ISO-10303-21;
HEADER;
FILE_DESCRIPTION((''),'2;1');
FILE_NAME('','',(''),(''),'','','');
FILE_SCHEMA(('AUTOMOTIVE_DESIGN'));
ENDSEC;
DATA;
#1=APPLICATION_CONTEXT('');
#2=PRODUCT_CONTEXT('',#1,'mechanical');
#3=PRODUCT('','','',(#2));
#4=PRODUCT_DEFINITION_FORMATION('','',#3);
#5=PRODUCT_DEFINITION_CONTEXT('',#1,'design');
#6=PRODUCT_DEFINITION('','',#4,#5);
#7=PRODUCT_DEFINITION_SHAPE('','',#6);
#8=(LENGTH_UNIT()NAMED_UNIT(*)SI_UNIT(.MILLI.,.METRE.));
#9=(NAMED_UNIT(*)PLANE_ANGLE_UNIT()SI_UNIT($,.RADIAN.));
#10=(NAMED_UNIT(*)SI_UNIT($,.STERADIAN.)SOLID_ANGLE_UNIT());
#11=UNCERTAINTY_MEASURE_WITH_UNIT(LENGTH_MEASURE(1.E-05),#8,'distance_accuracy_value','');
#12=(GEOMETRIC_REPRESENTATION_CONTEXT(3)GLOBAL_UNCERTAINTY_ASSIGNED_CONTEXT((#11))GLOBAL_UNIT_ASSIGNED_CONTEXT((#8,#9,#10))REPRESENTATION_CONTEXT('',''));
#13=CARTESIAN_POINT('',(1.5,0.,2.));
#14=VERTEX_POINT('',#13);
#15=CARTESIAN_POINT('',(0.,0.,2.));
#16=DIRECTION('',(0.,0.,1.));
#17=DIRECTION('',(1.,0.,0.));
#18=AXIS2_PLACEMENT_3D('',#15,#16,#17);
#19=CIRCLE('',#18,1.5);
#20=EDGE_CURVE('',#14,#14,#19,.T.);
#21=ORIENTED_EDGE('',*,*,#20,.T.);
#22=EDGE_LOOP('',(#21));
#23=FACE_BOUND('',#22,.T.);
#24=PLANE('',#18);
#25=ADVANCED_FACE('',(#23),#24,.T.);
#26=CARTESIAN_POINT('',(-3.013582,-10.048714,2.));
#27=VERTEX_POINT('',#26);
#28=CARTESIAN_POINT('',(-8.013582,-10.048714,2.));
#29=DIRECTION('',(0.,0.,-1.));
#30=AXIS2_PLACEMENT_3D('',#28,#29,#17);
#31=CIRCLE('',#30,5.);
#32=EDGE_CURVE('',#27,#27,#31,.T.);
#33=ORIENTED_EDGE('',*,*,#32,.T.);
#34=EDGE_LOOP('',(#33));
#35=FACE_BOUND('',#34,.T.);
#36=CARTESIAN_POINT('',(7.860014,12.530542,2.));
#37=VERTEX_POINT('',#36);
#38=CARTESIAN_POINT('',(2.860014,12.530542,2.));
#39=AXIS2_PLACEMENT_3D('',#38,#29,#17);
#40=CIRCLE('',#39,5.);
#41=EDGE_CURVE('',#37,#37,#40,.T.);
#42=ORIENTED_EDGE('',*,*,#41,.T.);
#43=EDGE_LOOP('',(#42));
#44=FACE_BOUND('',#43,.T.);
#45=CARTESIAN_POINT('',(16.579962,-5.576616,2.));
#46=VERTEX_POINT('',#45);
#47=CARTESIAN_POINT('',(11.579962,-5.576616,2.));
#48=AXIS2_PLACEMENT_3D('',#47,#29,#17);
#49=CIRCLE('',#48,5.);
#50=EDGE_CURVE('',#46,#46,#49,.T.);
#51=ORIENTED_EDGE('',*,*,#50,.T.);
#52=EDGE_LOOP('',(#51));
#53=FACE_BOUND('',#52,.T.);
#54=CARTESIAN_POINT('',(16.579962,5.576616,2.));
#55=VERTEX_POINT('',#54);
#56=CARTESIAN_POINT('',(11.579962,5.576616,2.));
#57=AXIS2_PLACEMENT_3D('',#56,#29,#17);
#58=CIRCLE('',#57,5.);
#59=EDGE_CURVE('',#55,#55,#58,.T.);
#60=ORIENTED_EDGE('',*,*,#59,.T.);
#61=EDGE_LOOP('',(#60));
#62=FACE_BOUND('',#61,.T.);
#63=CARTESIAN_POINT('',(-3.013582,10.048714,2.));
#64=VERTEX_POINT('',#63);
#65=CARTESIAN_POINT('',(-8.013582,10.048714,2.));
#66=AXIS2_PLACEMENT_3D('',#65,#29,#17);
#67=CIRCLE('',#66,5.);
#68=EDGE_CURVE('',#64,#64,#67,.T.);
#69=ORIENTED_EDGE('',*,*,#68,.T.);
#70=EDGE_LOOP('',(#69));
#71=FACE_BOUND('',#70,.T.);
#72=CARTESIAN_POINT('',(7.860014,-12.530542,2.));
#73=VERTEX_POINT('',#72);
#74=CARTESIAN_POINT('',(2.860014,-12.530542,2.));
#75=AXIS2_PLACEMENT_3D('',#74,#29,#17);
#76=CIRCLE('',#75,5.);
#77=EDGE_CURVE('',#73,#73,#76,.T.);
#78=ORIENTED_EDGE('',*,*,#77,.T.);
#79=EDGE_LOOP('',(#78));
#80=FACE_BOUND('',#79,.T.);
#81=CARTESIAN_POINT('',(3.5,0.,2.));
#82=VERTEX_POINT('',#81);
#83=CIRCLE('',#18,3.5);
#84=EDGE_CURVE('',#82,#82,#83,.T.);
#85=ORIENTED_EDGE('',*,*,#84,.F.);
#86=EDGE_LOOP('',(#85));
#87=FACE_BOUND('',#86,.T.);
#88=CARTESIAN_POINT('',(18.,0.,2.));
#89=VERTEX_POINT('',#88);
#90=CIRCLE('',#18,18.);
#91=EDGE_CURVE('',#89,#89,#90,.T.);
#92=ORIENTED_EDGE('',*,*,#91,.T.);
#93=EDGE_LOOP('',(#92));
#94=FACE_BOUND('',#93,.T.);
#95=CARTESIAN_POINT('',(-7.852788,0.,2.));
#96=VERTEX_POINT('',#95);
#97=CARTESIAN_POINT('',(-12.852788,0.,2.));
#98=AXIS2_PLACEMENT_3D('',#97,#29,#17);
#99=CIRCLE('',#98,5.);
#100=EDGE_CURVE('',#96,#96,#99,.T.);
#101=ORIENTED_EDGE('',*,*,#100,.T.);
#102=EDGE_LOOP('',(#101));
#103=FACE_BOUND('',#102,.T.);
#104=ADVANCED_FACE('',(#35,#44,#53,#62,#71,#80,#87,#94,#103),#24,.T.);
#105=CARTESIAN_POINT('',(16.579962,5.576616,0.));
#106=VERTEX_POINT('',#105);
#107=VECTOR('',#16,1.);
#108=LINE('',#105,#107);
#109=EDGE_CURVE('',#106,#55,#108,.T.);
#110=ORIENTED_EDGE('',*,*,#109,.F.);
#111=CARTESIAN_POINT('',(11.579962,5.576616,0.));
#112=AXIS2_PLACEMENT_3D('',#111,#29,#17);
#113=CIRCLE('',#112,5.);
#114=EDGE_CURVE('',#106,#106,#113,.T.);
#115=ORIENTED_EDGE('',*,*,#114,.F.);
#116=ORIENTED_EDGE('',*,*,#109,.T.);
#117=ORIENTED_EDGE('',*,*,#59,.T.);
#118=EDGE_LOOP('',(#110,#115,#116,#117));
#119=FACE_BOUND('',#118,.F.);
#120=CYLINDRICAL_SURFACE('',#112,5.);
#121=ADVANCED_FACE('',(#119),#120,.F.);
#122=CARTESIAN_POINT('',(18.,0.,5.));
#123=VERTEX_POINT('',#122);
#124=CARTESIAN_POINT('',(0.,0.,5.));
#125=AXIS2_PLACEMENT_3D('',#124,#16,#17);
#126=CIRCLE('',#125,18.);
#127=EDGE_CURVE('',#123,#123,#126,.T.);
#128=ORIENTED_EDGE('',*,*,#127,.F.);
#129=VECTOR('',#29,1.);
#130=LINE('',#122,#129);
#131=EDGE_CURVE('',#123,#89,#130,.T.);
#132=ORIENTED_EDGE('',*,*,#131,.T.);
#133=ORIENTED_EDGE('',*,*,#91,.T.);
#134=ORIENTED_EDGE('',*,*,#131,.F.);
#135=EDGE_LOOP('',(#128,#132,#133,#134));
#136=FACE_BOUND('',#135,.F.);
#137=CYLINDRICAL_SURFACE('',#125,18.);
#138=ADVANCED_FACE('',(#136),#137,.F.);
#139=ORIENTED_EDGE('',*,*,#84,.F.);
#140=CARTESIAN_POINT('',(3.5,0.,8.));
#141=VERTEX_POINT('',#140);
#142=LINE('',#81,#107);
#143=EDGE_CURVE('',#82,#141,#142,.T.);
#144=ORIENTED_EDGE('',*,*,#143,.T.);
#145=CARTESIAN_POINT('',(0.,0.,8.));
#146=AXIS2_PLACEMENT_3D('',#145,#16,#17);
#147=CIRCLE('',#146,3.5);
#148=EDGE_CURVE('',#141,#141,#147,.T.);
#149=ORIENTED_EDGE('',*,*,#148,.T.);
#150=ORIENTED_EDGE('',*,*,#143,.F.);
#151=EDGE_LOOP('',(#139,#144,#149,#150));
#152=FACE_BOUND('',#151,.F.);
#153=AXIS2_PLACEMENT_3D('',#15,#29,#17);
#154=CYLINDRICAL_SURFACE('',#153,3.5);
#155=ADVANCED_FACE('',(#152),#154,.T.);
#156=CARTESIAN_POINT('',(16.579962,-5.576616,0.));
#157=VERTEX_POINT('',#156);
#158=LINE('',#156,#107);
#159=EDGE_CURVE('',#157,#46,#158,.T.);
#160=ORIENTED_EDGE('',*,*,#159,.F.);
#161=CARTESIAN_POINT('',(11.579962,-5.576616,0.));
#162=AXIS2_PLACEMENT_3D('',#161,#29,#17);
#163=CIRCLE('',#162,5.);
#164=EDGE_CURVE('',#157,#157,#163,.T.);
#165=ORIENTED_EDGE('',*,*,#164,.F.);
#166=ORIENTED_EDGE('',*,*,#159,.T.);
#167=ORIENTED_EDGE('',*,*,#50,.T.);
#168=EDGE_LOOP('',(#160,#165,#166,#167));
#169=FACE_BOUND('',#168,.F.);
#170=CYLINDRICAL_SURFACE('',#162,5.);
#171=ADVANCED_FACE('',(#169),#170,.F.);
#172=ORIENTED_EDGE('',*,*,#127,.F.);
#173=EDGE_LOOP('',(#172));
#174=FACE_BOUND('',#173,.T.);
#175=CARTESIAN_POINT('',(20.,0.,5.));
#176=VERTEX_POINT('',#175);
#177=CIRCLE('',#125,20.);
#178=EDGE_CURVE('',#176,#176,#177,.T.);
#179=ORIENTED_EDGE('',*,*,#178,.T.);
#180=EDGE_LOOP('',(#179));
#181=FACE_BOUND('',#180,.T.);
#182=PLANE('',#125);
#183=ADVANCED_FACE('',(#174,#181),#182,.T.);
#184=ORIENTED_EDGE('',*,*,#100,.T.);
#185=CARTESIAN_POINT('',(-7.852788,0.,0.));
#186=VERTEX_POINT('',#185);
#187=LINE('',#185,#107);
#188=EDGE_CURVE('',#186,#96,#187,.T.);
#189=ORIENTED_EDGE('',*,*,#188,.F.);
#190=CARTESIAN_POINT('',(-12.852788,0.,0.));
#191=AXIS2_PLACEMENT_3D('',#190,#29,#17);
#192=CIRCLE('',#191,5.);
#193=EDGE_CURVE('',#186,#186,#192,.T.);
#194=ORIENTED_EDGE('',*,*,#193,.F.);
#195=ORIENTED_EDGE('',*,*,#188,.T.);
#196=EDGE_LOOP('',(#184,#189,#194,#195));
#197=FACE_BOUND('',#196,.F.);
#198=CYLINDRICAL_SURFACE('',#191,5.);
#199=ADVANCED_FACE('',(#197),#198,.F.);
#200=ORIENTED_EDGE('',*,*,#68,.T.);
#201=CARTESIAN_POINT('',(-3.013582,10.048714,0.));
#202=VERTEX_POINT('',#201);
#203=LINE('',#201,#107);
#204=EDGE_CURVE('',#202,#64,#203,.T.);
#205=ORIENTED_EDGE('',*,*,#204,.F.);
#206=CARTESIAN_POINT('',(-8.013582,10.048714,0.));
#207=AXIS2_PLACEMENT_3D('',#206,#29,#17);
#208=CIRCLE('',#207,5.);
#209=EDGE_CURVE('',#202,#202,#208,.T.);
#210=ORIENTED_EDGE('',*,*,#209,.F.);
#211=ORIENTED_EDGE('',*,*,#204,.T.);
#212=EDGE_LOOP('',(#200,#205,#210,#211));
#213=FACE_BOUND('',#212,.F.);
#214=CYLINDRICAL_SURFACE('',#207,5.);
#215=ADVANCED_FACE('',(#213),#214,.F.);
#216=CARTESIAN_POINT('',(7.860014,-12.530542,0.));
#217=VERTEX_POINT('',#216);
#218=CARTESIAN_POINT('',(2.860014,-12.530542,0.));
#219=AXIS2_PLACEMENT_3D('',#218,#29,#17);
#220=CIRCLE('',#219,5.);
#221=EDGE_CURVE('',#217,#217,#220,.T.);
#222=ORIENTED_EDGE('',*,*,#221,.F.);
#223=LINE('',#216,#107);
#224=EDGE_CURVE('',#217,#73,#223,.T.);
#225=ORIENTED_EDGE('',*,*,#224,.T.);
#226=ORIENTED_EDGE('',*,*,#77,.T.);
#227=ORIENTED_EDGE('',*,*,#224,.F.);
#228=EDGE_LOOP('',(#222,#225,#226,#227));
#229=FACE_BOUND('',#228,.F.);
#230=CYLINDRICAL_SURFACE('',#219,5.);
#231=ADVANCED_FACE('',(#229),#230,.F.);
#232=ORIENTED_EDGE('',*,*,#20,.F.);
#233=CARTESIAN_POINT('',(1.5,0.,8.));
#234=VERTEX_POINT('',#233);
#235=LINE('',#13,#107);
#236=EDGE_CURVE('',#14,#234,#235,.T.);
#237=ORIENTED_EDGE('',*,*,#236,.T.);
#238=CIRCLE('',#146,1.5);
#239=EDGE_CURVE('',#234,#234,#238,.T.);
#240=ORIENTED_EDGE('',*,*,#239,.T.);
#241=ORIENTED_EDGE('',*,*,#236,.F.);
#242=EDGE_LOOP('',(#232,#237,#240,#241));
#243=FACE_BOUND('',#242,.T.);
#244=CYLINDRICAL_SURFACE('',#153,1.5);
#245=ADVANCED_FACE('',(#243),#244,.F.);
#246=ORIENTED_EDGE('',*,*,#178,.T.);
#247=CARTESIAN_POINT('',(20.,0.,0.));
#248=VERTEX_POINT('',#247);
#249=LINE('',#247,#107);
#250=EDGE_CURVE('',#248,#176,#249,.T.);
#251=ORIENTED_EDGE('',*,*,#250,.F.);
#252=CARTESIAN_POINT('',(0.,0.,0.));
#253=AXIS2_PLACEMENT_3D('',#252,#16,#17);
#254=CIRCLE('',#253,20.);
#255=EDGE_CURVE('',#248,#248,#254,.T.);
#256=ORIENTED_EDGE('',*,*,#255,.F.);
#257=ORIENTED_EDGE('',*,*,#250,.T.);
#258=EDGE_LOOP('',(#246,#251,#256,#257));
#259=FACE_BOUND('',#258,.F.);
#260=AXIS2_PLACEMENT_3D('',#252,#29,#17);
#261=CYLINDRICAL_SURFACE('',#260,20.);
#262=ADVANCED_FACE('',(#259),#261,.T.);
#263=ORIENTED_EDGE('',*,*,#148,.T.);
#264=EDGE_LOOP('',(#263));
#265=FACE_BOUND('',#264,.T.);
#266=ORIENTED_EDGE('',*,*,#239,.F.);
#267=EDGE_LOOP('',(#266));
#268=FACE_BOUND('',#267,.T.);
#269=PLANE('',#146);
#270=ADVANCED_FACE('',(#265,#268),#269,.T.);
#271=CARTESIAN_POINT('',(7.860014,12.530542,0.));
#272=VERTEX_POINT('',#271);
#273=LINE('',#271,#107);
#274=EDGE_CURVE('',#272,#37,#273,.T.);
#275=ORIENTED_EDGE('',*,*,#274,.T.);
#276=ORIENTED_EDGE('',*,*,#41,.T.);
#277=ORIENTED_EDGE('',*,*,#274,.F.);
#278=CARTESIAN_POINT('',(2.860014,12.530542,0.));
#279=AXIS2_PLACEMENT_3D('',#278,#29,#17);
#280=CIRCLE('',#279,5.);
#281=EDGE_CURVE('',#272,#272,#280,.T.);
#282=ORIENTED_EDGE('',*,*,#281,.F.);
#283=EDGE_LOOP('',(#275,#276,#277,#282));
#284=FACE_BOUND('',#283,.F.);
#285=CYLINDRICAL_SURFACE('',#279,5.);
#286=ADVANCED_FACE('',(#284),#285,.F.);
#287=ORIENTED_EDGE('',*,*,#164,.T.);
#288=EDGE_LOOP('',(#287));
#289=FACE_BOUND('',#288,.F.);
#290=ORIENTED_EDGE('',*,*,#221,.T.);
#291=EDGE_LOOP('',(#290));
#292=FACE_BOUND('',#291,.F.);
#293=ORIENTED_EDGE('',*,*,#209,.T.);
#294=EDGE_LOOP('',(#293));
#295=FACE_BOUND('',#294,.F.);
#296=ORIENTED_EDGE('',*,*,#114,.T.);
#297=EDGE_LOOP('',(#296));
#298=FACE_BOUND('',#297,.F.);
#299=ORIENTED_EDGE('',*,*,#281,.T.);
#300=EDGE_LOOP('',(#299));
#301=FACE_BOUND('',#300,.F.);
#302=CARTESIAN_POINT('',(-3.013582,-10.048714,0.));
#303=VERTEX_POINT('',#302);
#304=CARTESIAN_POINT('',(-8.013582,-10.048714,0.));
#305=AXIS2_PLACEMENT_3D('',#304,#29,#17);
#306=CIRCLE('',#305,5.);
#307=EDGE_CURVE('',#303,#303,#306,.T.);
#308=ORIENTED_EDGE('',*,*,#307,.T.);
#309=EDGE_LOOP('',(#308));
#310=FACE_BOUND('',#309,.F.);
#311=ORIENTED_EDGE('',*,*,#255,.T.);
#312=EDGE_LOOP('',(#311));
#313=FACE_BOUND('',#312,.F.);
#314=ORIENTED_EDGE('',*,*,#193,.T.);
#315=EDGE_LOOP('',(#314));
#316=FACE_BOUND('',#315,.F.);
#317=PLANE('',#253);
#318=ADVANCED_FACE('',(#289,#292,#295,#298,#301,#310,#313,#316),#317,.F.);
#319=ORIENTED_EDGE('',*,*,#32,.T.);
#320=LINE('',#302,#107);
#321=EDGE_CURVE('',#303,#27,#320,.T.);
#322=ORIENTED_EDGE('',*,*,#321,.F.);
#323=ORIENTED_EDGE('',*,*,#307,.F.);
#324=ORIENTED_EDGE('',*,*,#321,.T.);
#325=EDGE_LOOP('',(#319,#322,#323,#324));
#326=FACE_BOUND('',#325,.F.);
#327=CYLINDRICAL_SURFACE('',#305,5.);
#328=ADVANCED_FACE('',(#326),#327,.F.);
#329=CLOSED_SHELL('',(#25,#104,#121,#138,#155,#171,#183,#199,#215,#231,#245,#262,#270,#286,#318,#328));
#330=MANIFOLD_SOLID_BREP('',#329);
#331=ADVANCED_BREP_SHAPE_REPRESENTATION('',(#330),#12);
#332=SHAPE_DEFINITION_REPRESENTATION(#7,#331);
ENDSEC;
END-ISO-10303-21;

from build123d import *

# Parameters (mm, degrees)
F0_R     = 20
F1_DEPTH = 5
F2_R     = 18
F3_DEPTH = 3
F4_R     = 3.5
F4_R_2   = 1.5
F5_DEPTH = 6
F6_R     = 5
F7_DEPTH = 2


with BuildPart() as f1:
    # F0 (on Top) → F1 (new body)
    with BuildSketch(Plane.XY):
        Circle(F0_R)
    extrude(amount=F1_DEPTH)

    # F2 (on face) → F3 (cut)
    with BuildSketch(Plane.XY.offset(5)):
        Circle(F2_R)
    extrude(amount=-F3_DEPTH, mode=Mode.SUBTRACT)

    # F4 (on face) → F5 (join)
    with BuildSketch(Plane.XY.offset(2)):
        Circle(F4_R)
        Circle(F4_R_2, mode=Mode.SUBTRACT)
    extrude(amount=F5_DEPTH)

    # F6 (on face) → F7 (cut)
    with BuildSketch(Plane(origin=(0, 0, 0), x_dir=(1, 0, 0), z_dir=(0, 0, -1))):
        with Locations((-12.852788, 0)):
            Circle(F6_R)
        with Locations((-8.013582, -10.048714)):
            Circle(F6_R)
        with Locations((2.860014, -12.530542)):
            Circle(F6_R)
        with Locations((11.579962, -5.576616)):
            Circle(F6_R)
        with Locations((11.579962, 5.576616)):
            Circle(F6_R)
        with Locations((2.860014, 12.530542)):
            Circle(F6_R)
        with Locations((-8.013582, 10.048714)):
            Circle(F6_R)
    extrude(amount=-F7_DEPTH, mode=Mode.SUBTRACT)


solid = f1.part
